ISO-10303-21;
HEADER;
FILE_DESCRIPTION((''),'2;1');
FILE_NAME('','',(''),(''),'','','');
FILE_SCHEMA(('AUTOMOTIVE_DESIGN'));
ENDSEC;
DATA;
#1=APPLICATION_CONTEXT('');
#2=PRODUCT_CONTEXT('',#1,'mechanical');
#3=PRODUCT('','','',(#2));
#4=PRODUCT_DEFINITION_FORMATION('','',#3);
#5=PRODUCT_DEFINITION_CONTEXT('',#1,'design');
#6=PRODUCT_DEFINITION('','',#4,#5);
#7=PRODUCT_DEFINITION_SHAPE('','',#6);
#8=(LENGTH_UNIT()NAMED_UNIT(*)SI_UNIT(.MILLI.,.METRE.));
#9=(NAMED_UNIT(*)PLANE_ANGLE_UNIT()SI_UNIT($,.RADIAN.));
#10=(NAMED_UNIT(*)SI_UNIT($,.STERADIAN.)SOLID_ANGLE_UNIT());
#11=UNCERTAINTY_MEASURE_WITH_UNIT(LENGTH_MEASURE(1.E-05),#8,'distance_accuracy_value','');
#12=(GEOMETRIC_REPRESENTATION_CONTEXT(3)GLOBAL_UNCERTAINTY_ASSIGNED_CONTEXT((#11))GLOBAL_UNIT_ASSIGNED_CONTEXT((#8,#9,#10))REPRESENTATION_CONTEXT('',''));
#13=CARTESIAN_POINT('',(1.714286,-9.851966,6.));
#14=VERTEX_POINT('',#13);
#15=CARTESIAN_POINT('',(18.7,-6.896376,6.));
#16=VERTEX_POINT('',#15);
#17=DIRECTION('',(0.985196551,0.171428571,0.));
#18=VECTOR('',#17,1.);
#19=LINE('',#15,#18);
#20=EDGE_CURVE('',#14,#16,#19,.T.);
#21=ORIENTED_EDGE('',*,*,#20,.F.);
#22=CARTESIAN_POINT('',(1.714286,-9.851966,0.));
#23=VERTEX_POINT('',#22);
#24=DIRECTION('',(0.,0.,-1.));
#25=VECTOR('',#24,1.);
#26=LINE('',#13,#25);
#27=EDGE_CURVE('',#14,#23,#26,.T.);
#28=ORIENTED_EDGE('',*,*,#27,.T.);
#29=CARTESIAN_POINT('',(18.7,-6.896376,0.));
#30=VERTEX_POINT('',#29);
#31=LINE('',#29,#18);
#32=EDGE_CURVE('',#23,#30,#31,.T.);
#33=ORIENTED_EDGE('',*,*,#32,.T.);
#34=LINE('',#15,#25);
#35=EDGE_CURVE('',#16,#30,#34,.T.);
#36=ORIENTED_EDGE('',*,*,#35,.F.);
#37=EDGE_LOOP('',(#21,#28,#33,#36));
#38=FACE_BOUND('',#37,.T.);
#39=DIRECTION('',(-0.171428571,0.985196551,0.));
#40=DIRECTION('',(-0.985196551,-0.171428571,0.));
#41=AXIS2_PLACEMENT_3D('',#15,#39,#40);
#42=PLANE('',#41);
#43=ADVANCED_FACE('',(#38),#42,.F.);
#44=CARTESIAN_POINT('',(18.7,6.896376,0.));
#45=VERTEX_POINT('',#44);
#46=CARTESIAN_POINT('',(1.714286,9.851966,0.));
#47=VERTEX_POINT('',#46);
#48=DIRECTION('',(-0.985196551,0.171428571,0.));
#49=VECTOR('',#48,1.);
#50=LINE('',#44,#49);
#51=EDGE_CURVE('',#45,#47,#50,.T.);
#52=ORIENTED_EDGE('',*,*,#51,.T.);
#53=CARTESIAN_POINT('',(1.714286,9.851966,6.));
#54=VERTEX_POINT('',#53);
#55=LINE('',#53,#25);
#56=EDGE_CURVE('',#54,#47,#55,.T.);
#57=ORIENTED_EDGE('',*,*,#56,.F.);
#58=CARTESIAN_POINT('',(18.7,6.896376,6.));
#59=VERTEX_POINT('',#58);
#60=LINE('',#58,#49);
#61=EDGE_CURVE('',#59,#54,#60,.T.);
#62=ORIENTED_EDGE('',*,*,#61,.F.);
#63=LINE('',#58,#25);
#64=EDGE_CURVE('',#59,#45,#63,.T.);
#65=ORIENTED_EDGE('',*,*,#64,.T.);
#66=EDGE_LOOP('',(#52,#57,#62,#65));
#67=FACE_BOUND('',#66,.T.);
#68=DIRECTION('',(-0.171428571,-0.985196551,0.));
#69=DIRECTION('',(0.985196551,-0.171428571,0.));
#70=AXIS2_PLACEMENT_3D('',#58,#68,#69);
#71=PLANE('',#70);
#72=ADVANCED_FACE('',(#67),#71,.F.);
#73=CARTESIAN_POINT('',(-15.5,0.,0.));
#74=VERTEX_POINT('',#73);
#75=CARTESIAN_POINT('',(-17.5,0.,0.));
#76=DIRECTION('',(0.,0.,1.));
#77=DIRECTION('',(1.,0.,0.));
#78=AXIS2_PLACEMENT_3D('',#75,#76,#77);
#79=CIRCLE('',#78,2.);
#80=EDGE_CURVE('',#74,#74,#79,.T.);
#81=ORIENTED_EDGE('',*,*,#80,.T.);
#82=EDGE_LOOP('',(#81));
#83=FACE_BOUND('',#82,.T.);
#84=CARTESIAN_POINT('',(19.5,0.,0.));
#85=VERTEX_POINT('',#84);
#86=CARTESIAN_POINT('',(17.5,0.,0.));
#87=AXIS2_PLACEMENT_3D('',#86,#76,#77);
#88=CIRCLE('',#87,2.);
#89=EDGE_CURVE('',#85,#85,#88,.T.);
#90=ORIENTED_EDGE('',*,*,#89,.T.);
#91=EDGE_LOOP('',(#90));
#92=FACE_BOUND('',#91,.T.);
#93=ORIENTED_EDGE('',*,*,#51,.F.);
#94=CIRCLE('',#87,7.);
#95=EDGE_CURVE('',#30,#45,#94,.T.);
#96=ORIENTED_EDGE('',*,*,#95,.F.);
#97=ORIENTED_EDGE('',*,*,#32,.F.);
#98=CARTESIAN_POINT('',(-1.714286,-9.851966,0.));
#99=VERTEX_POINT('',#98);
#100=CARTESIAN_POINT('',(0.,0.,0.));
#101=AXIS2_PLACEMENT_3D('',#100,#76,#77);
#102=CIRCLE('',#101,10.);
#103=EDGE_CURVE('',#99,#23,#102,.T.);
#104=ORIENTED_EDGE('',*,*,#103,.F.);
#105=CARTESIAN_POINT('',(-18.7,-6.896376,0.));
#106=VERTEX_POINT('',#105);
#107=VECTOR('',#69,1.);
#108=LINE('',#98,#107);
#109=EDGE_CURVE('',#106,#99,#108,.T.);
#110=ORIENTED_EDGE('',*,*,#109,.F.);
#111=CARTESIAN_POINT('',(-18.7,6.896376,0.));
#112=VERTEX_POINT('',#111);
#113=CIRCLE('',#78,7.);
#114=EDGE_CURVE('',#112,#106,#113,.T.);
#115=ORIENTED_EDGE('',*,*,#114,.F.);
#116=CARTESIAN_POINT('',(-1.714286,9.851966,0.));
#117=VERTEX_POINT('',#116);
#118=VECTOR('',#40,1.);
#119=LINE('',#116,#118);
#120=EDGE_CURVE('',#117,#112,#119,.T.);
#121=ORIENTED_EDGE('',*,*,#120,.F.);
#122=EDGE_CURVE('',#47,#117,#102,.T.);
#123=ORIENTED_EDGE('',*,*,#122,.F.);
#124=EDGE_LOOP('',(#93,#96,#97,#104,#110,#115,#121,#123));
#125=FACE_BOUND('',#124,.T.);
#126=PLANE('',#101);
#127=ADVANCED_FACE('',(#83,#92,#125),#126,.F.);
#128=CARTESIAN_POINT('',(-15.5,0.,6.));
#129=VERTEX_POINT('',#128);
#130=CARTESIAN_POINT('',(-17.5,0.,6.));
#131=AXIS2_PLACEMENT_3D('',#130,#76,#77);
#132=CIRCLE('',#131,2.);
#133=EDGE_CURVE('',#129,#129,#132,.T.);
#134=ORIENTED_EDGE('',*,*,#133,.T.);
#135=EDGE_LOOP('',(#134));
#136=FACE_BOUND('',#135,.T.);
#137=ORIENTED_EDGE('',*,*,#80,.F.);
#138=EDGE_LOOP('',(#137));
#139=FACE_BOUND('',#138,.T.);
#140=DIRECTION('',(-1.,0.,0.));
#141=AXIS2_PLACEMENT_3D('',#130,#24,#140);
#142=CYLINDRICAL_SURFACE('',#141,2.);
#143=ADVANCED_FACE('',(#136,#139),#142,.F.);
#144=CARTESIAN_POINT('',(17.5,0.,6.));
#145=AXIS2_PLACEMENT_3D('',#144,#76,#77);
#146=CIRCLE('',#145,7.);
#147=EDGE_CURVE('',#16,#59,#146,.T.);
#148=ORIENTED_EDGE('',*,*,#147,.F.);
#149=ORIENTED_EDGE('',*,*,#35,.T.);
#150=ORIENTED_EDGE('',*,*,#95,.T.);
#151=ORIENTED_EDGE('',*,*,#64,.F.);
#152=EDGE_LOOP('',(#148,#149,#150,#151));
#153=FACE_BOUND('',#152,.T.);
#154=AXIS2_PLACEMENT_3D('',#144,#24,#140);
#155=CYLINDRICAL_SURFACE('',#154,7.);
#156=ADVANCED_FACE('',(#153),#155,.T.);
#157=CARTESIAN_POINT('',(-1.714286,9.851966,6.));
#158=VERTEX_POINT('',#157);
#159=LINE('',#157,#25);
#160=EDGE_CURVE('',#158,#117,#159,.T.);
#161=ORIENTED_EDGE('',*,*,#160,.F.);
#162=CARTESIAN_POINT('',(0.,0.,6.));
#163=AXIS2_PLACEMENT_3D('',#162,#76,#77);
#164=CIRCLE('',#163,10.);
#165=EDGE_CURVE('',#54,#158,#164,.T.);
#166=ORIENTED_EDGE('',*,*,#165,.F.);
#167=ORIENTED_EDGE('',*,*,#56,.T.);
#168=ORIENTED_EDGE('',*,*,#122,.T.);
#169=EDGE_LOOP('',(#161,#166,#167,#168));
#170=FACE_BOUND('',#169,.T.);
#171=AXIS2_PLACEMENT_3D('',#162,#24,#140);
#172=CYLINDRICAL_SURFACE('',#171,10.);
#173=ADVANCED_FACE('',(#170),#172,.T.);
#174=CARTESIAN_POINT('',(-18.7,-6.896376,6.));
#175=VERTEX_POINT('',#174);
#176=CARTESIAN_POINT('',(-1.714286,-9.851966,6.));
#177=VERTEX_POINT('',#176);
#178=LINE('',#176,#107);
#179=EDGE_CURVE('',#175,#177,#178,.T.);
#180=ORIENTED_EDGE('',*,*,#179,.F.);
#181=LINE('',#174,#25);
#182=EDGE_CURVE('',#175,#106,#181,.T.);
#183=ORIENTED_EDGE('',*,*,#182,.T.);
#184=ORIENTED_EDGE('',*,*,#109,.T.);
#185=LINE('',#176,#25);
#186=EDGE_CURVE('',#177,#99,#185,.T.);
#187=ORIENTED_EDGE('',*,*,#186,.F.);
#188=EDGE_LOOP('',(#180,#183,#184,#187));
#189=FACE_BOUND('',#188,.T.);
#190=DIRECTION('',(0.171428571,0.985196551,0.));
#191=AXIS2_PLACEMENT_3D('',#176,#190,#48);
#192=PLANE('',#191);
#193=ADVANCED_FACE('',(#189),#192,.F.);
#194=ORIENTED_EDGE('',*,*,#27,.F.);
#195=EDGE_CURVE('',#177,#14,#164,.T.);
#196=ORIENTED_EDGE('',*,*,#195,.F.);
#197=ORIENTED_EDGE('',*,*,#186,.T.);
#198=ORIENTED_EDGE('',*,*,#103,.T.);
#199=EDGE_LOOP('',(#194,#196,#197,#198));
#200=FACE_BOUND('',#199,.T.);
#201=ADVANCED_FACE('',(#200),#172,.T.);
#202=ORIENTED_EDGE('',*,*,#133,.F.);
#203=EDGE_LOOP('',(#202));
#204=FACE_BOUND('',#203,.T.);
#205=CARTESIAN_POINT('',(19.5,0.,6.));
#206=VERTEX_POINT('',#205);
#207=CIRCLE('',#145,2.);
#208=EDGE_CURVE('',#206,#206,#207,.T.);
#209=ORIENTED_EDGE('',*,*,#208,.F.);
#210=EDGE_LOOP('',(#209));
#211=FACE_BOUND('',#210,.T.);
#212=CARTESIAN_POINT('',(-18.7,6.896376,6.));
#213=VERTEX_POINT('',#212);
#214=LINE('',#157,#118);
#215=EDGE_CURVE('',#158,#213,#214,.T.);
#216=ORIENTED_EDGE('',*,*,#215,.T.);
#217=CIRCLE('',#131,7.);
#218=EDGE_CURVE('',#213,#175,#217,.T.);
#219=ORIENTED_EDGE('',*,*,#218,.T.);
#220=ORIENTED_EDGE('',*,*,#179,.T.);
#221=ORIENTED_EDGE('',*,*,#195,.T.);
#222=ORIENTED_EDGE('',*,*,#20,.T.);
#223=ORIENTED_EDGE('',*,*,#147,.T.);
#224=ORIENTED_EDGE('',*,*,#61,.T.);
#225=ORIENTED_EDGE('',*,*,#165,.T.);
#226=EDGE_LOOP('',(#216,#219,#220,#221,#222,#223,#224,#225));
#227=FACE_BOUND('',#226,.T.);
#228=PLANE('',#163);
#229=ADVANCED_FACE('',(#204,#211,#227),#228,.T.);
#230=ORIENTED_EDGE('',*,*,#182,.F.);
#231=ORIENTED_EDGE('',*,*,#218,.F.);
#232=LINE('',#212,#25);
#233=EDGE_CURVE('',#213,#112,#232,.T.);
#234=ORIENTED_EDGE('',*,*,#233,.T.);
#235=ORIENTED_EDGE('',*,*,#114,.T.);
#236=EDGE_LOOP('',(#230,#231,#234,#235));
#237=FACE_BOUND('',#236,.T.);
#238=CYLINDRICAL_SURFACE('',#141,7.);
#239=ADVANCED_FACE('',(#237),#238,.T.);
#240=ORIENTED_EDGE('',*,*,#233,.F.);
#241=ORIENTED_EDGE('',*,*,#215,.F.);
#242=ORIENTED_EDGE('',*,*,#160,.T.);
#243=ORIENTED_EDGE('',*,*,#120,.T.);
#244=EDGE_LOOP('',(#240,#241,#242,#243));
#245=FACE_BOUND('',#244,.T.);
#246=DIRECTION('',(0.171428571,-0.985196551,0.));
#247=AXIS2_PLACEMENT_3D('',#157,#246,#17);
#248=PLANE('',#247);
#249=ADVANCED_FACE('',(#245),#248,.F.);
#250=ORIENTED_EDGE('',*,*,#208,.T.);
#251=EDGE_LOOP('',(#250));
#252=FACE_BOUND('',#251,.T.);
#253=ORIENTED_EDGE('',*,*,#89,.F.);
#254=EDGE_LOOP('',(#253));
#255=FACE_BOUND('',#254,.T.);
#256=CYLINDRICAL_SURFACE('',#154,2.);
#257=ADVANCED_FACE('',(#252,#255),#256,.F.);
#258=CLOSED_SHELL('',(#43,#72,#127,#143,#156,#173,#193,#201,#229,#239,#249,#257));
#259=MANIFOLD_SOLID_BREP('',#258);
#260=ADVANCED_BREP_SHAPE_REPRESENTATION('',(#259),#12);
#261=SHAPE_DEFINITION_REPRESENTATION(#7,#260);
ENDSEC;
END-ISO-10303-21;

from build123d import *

# Parameters (mm, degrees)
SKETCH_1_R      = 2
EXTRUDE_1_DEPTH = 6


with BuildPart() as part:
    # Эскиз1 → Бобышка-Вытянуть1 (new body)
    with BuildSketch(Plane.XY):
        with BuildLine():
            Line((-1.714285714, 9.851965514), (-18.7, 6.89637586))
            ThreePointArc((-18.7, 6.89637586), (-24.5, 0), (-18.7, -6.89637586))
            Line((-18.7, -6.89637586), (-1.714285714, -9.851965514))
            ThreePointArc((-1.714285714, -9.851965514), (0, -10), (1.714285714, -9.851965514))
            Line((1.714285714, -9.851965514), (18.7, -6.89637586))
            ThreePointArc((18.7, -6.89637586), (24.5, 0), (18.7, 6.89637586))
            Line((18.7, 6.89637586), (1.714285714, 9.851965514))
            ThreePointArc((1.714285714, 9.851965514), (0, 10), (-1.714285714, 9.851965514))
        make_face()
        with Locations((-17.5, 0)):
            Circle(SKETCH_1_R, mode=Mode.SUBTRACT)
        with Locations((17.5, 0)):
            Circle(SKETCH_1_R, mode=Mode.SUBTRACT)
    extrude(amount=EXTRUDE_1_DEPTH)


solid = part.part
